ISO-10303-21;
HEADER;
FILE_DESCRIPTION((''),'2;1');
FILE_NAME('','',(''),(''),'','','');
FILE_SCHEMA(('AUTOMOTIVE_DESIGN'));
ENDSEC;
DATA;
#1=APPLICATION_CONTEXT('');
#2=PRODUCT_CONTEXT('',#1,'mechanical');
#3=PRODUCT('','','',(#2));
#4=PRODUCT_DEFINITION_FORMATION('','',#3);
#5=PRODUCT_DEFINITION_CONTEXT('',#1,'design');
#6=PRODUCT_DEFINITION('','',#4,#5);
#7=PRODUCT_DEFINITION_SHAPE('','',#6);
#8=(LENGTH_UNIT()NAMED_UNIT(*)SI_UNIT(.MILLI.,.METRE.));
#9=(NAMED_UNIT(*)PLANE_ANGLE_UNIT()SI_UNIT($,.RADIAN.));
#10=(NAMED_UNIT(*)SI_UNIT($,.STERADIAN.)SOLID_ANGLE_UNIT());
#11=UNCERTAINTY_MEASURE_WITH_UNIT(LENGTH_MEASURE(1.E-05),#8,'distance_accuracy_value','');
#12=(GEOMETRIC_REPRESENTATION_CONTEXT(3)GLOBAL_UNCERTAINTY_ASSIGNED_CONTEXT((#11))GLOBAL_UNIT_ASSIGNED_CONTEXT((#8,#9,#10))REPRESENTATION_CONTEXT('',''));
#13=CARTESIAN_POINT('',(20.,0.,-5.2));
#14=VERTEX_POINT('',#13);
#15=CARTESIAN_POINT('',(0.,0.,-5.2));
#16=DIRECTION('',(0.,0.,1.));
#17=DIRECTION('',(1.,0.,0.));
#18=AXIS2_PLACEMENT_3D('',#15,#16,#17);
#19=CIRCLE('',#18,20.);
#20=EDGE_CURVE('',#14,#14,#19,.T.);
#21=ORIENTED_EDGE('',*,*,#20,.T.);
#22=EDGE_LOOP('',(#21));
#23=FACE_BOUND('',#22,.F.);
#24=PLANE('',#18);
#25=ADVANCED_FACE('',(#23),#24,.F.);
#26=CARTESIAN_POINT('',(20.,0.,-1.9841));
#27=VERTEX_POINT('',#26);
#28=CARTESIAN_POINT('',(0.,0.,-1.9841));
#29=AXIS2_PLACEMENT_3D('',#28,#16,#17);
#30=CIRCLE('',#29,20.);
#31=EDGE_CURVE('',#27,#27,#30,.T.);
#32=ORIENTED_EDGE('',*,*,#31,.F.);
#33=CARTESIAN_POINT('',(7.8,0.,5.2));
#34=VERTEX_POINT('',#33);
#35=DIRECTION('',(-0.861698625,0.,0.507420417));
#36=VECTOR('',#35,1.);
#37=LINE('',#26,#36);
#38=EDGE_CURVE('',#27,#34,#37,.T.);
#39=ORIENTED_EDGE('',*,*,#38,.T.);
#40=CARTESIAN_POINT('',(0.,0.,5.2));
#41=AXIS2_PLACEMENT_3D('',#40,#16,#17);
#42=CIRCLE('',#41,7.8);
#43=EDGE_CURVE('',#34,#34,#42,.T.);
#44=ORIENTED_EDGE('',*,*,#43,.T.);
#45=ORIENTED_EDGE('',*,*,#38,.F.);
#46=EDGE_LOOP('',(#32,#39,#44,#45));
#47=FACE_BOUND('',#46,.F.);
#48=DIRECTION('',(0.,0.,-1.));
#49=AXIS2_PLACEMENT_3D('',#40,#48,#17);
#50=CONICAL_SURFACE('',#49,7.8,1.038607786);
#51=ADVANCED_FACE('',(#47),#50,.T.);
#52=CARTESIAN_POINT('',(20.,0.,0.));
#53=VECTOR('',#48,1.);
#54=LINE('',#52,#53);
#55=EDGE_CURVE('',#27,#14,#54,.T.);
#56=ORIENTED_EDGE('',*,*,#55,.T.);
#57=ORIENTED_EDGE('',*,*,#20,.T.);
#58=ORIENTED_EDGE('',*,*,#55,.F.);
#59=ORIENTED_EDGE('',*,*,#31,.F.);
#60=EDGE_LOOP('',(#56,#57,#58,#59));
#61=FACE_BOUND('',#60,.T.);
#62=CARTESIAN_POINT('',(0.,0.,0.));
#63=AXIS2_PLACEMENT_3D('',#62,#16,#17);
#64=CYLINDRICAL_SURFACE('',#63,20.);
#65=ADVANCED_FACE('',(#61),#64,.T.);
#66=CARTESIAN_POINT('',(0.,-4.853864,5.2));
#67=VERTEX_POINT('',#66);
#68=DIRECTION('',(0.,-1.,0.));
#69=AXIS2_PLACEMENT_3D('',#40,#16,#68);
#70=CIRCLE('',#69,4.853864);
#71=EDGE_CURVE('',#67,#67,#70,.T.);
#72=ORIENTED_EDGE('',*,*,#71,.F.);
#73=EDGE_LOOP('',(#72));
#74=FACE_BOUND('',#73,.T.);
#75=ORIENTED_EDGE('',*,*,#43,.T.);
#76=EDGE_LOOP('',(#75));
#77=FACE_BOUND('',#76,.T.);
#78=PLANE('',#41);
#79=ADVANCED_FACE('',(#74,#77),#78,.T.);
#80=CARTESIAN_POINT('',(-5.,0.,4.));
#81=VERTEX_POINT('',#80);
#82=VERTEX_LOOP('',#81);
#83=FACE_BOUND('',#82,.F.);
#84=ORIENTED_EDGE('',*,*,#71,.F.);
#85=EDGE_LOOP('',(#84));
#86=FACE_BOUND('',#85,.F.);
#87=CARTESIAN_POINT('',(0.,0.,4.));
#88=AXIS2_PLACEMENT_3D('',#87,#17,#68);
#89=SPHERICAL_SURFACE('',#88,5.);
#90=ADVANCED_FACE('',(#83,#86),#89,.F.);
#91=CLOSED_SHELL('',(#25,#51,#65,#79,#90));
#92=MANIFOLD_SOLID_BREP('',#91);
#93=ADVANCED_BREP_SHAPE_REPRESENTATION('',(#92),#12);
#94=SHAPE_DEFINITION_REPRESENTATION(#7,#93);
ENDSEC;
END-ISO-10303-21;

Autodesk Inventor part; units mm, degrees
ref_plane "YZ Plane" through (0, 0, 0) normal (1, 0, 0) x (0, 1, 0)
ref_plane "XZ Plane" through (0, 0, 0) normal (0, 1, 0) x (-1, 0, 0)
sketch "Skizze1" plane through (0, 0, 0) normal (0, 0, 1) x (1, 0, 0)
  line L0 (0, -28) -> (0, 28) projected
  line L1 (-28, 0) -> (28, 0) projected
  circle A0 centre (0, 0) radius 20
  dimension "d0" = 40
extrude "Extrusion1" add sketch "Skizze1" along normal mid plane 10.4
ref_plane "Arbeitsebene1" through (0, 0, 4) normal (0, 0, 1) x (1, 0, 0)
sketch "Skizze3" plane through (0, 0, 4) normal (0, 0, 1) x (1, 0, 0)
  arc A0 (-5, 0) -> (5, 0) centre (0, 0) ccw
  line L0 (-28, 0) -> (28, 0) projected
  line L1 (-5, 0) -> (5, 0)
  dimension "d4" = 10
revolve "Umdrehung1" cut sketch "Skizze3" angle 360 about axis through (-10, 0, 4) along (1, 0, 0)
sketch "Skizze4" plane through (0, 0, 0) normal (0, 1, 0) x (-1, 0, 0)
  line L0 (-20, -5.2) -> (20, -5.2) projected
  line L1 (20, 5.2) -> (-20, 5.2) projected
  line L2 (-20, -5.2) -> (-20, 5.2) projected
  line L3 (28, 0) -> (-28, 0) projected
  line L4 (0, -7.28) -> (0, 7.28) projected
  line L5 (20, 5.2) -> (-20, 5.2) projected
  line L6 (-7.8, 5.2) -> (-20, -1.9841)
  line L7 (-20, -1.9841) -> (-20, 5.2)
  line L8 (-20, 5.2) -> (-7.8, 5.2)
  point P0 (0, 0)
revolve "Umdrehung2" cut sketch "Skizze4" angle 360 about axis through (0, 0, -10) along (0, 0, 1) contours L2 L3 L6 | L2 L1 L6 L3
properties part number "Plastikfuß_40mm" material "ABS-Kunststoff"
